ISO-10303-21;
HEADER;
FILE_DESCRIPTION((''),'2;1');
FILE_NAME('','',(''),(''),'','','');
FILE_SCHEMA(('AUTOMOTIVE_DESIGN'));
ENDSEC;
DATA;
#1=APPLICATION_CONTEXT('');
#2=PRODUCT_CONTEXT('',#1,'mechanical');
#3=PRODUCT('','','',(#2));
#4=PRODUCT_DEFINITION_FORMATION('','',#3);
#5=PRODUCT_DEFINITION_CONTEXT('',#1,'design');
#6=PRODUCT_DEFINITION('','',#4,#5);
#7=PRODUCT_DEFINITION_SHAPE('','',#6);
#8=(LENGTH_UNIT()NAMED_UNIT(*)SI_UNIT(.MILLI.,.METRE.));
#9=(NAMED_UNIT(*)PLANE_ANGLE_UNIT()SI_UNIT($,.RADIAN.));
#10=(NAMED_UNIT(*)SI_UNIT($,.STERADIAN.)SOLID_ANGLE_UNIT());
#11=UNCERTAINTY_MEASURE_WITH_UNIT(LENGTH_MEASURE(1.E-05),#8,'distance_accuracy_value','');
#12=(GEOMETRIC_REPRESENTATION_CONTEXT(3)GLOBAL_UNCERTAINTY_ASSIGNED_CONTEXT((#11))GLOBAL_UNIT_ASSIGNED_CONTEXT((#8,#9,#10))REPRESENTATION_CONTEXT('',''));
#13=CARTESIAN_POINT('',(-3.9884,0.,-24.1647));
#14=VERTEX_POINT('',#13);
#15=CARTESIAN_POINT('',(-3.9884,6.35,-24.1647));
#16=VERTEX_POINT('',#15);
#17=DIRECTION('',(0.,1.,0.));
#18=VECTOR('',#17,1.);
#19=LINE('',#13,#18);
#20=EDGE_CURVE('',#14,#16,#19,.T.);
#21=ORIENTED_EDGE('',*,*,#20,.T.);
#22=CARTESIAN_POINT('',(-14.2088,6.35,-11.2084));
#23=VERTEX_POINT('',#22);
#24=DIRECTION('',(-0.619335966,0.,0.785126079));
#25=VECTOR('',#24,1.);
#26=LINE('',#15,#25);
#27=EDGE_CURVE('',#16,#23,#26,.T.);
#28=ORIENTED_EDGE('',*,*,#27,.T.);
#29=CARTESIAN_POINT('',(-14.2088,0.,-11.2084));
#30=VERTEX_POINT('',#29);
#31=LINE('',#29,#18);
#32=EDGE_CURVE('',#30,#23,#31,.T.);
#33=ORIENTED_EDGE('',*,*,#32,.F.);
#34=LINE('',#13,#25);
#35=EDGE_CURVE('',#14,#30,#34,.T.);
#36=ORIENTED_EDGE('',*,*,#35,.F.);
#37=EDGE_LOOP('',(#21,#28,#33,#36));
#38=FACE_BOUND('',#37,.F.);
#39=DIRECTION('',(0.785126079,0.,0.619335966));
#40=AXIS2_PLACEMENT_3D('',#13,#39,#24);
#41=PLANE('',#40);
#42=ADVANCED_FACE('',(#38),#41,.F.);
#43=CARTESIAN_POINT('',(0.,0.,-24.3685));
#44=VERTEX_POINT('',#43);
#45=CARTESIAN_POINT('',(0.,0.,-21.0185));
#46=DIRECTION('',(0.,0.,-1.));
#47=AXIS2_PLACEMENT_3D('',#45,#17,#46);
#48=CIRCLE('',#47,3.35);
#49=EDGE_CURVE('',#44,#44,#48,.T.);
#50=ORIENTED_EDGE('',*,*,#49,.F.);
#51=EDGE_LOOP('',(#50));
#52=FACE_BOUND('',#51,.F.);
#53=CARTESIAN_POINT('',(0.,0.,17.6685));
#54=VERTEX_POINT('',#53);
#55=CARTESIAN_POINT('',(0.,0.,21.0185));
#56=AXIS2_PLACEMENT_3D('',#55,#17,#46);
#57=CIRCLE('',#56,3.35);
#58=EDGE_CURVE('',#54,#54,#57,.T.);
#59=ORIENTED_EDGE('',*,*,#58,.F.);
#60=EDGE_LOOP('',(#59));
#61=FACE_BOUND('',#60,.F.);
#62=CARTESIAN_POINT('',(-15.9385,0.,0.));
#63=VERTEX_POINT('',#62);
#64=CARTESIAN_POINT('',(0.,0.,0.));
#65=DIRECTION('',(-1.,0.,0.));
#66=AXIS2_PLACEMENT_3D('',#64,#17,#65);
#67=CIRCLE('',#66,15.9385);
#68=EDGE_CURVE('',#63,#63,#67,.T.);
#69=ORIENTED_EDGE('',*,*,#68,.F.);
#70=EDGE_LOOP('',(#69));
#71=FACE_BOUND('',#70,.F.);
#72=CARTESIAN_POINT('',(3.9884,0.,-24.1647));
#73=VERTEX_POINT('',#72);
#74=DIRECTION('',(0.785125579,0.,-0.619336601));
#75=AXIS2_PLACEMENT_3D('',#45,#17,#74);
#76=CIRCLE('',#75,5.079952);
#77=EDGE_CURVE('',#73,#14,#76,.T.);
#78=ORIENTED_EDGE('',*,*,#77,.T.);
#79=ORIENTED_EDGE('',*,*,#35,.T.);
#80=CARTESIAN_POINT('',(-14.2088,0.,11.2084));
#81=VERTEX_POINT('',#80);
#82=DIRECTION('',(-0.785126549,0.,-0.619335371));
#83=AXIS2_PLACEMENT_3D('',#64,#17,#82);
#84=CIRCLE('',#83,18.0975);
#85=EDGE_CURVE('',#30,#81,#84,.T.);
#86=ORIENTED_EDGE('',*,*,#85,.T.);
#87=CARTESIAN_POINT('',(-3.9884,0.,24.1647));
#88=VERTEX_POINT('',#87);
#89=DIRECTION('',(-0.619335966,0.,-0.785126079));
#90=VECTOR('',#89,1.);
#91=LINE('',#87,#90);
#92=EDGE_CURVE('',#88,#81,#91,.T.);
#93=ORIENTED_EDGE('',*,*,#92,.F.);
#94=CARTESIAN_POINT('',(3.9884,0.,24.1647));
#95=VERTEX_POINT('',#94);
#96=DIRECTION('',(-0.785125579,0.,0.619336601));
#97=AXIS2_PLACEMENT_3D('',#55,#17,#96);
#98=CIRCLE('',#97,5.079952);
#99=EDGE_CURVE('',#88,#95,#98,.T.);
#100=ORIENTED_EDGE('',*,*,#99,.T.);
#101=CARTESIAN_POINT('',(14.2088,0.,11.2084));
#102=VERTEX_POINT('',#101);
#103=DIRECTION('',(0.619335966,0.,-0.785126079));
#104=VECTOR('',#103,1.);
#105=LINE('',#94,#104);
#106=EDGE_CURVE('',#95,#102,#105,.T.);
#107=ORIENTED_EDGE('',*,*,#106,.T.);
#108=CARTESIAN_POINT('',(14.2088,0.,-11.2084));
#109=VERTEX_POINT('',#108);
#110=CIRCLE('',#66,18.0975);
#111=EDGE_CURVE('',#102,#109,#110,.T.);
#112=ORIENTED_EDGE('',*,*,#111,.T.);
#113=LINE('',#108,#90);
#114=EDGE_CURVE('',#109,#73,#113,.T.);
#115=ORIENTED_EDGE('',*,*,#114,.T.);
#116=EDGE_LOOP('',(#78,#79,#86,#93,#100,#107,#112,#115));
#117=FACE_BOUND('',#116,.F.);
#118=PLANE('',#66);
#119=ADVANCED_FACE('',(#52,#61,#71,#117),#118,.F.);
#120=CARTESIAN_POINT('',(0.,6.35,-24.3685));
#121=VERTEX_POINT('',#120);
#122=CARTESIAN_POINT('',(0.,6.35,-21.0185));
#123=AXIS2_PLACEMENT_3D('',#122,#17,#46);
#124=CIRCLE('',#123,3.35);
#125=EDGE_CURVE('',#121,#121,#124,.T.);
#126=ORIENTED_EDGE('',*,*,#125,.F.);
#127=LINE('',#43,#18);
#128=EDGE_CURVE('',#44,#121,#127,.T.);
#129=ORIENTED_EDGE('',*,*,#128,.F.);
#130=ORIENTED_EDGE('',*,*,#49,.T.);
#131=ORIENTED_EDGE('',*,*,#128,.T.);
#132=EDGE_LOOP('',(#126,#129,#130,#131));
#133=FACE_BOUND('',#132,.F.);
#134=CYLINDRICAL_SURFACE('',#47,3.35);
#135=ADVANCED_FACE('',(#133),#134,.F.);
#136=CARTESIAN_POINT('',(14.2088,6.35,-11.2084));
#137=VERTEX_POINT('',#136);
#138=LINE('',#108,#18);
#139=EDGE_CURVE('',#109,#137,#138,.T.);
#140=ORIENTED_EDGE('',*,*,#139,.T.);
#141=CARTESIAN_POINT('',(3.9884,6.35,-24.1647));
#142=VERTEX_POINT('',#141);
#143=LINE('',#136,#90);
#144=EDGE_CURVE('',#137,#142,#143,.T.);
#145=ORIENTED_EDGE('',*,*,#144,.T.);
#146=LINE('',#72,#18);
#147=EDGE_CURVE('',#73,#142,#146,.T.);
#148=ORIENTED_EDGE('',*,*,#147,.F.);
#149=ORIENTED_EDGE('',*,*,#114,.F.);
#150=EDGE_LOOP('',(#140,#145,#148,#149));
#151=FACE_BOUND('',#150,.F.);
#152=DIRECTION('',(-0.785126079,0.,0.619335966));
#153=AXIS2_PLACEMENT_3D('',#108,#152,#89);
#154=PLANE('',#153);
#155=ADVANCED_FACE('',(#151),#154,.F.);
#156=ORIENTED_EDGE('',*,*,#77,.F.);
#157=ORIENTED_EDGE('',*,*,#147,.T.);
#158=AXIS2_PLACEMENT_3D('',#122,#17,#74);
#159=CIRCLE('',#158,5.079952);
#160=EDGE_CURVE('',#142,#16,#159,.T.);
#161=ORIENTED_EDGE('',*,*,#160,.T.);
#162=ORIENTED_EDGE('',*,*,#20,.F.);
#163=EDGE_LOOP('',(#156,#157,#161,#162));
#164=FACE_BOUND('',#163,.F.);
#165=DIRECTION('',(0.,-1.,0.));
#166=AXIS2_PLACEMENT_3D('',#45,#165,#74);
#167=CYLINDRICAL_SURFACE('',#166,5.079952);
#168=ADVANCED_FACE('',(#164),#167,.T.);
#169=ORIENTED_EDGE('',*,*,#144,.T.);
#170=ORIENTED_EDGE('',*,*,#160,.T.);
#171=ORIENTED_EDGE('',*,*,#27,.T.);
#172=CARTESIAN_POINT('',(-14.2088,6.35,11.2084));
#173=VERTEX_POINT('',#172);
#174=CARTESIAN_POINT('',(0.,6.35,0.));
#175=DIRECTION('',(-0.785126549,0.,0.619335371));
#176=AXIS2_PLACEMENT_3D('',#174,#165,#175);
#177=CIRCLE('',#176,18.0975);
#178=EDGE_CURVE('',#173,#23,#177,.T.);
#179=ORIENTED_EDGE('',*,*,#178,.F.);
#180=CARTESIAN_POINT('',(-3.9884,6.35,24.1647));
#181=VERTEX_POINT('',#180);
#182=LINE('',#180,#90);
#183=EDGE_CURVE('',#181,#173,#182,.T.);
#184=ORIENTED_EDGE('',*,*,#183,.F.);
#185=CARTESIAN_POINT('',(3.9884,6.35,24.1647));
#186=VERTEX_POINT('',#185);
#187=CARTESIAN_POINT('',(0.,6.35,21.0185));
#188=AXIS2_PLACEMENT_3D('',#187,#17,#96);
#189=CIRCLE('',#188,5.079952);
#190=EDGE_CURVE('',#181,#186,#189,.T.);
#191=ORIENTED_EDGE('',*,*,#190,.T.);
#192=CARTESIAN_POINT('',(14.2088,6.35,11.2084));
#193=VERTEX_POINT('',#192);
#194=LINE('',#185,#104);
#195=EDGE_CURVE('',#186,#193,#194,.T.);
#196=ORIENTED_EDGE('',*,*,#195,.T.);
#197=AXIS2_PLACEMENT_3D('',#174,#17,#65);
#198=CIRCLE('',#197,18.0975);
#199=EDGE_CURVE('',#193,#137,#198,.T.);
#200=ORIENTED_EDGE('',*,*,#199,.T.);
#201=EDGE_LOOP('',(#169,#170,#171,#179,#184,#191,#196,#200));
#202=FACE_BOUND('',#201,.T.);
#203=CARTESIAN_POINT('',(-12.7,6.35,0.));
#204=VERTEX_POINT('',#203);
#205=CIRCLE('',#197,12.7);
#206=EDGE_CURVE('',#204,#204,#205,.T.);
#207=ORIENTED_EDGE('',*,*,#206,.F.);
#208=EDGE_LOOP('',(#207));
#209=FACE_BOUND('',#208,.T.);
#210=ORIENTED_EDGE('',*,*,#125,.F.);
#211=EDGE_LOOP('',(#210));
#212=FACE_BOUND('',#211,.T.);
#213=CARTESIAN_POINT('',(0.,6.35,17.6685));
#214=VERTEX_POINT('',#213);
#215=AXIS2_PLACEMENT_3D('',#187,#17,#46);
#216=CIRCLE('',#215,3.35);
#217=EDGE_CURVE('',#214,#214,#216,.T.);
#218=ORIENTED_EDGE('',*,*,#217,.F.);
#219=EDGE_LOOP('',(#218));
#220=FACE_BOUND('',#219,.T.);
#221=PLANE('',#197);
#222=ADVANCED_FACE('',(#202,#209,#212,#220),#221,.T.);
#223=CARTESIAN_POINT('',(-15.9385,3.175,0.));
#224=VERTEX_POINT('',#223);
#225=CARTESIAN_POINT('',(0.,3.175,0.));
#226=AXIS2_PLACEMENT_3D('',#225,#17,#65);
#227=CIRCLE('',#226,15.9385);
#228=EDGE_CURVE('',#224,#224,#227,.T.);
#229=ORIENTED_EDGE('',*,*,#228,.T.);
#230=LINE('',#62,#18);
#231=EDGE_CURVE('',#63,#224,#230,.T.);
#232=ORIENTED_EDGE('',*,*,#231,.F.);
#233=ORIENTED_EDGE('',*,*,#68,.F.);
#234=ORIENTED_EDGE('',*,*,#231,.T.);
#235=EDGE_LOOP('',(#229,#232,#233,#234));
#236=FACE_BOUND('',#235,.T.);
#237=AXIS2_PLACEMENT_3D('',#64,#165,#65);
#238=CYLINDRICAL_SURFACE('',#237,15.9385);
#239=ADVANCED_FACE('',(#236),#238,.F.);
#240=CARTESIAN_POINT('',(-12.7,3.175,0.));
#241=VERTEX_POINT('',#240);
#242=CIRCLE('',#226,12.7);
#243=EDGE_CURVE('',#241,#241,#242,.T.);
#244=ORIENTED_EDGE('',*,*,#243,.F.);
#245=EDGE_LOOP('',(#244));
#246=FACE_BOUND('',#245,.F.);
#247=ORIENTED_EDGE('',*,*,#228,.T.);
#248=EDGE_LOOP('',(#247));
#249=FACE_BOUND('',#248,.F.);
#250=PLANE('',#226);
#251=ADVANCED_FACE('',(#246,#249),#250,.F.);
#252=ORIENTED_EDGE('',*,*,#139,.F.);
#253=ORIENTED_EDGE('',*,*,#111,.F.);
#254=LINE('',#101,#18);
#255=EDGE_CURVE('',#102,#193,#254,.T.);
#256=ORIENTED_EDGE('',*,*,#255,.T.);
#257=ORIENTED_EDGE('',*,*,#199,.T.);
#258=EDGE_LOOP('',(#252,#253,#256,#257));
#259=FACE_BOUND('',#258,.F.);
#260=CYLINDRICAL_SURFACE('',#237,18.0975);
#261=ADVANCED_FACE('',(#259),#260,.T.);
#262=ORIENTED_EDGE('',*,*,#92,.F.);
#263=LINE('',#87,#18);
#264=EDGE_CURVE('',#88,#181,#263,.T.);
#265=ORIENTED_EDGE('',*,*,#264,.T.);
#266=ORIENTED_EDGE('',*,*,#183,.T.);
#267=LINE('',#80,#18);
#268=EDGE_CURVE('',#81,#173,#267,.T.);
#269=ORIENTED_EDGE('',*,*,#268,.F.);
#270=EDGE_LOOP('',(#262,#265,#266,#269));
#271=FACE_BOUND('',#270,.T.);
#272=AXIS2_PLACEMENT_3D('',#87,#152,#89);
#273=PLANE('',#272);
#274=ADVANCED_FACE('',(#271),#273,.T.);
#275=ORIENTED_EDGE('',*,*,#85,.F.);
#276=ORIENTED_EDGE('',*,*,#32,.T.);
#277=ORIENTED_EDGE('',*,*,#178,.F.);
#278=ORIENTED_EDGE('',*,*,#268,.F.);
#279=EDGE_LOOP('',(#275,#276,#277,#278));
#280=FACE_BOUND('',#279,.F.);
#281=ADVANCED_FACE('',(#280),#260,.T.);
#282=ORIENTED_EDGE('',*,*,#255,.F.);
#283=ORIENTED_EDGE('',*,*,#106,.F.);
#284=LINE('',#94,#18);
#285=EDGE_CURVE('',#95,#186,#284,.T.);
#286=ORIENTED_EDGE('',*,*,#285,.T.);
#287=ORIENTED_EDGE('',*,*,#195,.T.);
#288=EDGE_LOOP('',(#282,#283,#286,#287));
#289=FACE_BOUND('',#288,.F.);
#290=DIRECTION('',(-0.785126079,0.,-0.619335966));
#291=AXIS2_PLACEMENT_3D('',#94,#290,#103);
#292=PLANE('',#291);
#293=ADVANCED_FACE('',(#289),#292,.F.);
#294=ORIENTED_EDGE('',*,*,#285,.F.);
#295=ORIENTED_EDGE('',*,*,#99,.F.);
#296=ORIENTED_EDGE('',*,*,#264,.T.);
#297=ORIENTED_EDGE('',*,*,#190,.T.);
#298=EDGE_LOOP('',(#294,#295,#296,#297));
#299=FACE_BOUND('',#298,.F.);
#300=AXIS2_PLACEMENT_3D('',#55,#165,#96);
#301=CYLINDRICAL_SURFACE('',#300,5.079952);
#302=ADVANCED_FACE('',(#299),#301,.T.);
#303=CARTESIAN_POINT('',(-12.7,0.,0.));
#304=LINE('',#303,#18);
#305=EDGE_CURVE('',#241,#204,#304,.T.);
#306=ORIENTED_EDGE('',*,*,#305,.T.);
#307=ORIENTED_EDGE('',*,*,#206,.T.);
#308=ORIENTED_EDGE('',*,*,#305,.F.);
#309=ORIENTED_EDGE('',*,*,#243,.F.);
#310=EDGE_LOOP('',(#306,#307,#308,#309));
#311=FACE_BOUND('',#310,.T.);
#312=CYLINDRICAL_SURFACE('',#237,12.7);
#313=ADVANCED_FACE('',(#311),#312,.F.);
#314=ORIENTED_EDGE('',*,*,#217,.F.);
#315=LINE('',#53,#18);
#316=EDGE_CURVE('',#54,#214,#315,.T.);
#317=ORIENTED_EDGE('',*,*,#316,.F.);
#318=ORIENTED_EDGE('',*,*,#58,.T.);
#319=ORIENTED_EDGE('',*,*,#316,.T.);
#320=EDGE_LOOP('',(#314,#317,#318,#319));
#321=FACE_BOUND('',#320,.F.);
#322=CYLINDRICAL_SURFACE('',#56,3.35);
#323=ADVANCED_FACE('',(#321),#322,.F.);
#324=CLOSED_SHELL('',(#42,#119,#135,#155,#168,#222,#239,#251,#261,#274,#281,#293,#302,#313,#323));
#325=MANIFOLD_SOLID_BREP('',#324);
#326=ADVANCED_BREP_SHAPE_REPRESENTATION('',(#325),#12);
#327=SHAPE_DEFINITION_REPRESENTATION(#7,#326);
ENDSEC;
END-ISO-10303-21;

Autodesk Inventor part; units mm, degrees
ref_plane "YZ Plane" through (0, 0, 0) normal (1, 0, 0) x (0, 1, 0)
ref_plane "XZ Plane" through (0, 0, 0) normal (0, 1, 0) x (-1, 0, 0)
ref_plane "XY Plane" through (0, 0, 0) normal (0, 0, 1) x (1, 0, 0)
sketch "Sketch1" plane through (0, 0, 0) normal (0, 1, 0) x (-1, 0, 0)
  circle A0 centre (0, 0) radius 12.7
  circle A1 centre (0, 0) radius 18.0975
  circle A2 centre (0, 21.0185) radius 5.08 construction
  circle A3 centre (0, -21.0185) radius 5.08 construction
  line L0 (3.9884, 24.1647) -> (14.2088, 11.2084)
  line L1 (-3.9884, 24.1647) -> (-14.2088, 11.2084)
  line L2 (-14.2088, -11.2084) -> (-3.9884, -24.1647)
  line L3 (3.9884, -24.1647) -> (14.2088, -11.2084)
  arc A4 (14.2088, -11.2084) -> (14.2088, 11.2084) centre (0, 0) ccw
  arc A5 (-3.9884, -24.1647) -> (3.9884, -24.1647) centre (0, -21.0185) ccw
  arc A6 (-14.2088, 11.2084) -> (-14.2088, -11.2084) centre (0, 0) ccw
  arc A7 (3.9884, 24.1647) -> (-3.9884, 24.1647) centre (0, 21.0185) ccw
  circle A8 centre (0, 0) radius 15.9385
  dimension "d0" = 25.4
  dimension "d1" = 36.195
  dimension "d2" = 10.16
  dimension "d7" = 31.877
  dimension "d15" = 42.037
extrude "Extrusion1" add sketch "Sketch1" along normal blind 6.35 contours A1 | A1 L1 A7 L0 | L3 A5 L2 A1 | A8
extrude "Extrusion2" cut sketch "Sketch1" along normal blind 3.175 contours A8
hole "Hole1" at (0, 0, 21.0185) at (0, 0, -21.0185) direction (0, 1, 0) diameter 6.7 end through all
properties part number "Retainer" material "ABS Plastic"
